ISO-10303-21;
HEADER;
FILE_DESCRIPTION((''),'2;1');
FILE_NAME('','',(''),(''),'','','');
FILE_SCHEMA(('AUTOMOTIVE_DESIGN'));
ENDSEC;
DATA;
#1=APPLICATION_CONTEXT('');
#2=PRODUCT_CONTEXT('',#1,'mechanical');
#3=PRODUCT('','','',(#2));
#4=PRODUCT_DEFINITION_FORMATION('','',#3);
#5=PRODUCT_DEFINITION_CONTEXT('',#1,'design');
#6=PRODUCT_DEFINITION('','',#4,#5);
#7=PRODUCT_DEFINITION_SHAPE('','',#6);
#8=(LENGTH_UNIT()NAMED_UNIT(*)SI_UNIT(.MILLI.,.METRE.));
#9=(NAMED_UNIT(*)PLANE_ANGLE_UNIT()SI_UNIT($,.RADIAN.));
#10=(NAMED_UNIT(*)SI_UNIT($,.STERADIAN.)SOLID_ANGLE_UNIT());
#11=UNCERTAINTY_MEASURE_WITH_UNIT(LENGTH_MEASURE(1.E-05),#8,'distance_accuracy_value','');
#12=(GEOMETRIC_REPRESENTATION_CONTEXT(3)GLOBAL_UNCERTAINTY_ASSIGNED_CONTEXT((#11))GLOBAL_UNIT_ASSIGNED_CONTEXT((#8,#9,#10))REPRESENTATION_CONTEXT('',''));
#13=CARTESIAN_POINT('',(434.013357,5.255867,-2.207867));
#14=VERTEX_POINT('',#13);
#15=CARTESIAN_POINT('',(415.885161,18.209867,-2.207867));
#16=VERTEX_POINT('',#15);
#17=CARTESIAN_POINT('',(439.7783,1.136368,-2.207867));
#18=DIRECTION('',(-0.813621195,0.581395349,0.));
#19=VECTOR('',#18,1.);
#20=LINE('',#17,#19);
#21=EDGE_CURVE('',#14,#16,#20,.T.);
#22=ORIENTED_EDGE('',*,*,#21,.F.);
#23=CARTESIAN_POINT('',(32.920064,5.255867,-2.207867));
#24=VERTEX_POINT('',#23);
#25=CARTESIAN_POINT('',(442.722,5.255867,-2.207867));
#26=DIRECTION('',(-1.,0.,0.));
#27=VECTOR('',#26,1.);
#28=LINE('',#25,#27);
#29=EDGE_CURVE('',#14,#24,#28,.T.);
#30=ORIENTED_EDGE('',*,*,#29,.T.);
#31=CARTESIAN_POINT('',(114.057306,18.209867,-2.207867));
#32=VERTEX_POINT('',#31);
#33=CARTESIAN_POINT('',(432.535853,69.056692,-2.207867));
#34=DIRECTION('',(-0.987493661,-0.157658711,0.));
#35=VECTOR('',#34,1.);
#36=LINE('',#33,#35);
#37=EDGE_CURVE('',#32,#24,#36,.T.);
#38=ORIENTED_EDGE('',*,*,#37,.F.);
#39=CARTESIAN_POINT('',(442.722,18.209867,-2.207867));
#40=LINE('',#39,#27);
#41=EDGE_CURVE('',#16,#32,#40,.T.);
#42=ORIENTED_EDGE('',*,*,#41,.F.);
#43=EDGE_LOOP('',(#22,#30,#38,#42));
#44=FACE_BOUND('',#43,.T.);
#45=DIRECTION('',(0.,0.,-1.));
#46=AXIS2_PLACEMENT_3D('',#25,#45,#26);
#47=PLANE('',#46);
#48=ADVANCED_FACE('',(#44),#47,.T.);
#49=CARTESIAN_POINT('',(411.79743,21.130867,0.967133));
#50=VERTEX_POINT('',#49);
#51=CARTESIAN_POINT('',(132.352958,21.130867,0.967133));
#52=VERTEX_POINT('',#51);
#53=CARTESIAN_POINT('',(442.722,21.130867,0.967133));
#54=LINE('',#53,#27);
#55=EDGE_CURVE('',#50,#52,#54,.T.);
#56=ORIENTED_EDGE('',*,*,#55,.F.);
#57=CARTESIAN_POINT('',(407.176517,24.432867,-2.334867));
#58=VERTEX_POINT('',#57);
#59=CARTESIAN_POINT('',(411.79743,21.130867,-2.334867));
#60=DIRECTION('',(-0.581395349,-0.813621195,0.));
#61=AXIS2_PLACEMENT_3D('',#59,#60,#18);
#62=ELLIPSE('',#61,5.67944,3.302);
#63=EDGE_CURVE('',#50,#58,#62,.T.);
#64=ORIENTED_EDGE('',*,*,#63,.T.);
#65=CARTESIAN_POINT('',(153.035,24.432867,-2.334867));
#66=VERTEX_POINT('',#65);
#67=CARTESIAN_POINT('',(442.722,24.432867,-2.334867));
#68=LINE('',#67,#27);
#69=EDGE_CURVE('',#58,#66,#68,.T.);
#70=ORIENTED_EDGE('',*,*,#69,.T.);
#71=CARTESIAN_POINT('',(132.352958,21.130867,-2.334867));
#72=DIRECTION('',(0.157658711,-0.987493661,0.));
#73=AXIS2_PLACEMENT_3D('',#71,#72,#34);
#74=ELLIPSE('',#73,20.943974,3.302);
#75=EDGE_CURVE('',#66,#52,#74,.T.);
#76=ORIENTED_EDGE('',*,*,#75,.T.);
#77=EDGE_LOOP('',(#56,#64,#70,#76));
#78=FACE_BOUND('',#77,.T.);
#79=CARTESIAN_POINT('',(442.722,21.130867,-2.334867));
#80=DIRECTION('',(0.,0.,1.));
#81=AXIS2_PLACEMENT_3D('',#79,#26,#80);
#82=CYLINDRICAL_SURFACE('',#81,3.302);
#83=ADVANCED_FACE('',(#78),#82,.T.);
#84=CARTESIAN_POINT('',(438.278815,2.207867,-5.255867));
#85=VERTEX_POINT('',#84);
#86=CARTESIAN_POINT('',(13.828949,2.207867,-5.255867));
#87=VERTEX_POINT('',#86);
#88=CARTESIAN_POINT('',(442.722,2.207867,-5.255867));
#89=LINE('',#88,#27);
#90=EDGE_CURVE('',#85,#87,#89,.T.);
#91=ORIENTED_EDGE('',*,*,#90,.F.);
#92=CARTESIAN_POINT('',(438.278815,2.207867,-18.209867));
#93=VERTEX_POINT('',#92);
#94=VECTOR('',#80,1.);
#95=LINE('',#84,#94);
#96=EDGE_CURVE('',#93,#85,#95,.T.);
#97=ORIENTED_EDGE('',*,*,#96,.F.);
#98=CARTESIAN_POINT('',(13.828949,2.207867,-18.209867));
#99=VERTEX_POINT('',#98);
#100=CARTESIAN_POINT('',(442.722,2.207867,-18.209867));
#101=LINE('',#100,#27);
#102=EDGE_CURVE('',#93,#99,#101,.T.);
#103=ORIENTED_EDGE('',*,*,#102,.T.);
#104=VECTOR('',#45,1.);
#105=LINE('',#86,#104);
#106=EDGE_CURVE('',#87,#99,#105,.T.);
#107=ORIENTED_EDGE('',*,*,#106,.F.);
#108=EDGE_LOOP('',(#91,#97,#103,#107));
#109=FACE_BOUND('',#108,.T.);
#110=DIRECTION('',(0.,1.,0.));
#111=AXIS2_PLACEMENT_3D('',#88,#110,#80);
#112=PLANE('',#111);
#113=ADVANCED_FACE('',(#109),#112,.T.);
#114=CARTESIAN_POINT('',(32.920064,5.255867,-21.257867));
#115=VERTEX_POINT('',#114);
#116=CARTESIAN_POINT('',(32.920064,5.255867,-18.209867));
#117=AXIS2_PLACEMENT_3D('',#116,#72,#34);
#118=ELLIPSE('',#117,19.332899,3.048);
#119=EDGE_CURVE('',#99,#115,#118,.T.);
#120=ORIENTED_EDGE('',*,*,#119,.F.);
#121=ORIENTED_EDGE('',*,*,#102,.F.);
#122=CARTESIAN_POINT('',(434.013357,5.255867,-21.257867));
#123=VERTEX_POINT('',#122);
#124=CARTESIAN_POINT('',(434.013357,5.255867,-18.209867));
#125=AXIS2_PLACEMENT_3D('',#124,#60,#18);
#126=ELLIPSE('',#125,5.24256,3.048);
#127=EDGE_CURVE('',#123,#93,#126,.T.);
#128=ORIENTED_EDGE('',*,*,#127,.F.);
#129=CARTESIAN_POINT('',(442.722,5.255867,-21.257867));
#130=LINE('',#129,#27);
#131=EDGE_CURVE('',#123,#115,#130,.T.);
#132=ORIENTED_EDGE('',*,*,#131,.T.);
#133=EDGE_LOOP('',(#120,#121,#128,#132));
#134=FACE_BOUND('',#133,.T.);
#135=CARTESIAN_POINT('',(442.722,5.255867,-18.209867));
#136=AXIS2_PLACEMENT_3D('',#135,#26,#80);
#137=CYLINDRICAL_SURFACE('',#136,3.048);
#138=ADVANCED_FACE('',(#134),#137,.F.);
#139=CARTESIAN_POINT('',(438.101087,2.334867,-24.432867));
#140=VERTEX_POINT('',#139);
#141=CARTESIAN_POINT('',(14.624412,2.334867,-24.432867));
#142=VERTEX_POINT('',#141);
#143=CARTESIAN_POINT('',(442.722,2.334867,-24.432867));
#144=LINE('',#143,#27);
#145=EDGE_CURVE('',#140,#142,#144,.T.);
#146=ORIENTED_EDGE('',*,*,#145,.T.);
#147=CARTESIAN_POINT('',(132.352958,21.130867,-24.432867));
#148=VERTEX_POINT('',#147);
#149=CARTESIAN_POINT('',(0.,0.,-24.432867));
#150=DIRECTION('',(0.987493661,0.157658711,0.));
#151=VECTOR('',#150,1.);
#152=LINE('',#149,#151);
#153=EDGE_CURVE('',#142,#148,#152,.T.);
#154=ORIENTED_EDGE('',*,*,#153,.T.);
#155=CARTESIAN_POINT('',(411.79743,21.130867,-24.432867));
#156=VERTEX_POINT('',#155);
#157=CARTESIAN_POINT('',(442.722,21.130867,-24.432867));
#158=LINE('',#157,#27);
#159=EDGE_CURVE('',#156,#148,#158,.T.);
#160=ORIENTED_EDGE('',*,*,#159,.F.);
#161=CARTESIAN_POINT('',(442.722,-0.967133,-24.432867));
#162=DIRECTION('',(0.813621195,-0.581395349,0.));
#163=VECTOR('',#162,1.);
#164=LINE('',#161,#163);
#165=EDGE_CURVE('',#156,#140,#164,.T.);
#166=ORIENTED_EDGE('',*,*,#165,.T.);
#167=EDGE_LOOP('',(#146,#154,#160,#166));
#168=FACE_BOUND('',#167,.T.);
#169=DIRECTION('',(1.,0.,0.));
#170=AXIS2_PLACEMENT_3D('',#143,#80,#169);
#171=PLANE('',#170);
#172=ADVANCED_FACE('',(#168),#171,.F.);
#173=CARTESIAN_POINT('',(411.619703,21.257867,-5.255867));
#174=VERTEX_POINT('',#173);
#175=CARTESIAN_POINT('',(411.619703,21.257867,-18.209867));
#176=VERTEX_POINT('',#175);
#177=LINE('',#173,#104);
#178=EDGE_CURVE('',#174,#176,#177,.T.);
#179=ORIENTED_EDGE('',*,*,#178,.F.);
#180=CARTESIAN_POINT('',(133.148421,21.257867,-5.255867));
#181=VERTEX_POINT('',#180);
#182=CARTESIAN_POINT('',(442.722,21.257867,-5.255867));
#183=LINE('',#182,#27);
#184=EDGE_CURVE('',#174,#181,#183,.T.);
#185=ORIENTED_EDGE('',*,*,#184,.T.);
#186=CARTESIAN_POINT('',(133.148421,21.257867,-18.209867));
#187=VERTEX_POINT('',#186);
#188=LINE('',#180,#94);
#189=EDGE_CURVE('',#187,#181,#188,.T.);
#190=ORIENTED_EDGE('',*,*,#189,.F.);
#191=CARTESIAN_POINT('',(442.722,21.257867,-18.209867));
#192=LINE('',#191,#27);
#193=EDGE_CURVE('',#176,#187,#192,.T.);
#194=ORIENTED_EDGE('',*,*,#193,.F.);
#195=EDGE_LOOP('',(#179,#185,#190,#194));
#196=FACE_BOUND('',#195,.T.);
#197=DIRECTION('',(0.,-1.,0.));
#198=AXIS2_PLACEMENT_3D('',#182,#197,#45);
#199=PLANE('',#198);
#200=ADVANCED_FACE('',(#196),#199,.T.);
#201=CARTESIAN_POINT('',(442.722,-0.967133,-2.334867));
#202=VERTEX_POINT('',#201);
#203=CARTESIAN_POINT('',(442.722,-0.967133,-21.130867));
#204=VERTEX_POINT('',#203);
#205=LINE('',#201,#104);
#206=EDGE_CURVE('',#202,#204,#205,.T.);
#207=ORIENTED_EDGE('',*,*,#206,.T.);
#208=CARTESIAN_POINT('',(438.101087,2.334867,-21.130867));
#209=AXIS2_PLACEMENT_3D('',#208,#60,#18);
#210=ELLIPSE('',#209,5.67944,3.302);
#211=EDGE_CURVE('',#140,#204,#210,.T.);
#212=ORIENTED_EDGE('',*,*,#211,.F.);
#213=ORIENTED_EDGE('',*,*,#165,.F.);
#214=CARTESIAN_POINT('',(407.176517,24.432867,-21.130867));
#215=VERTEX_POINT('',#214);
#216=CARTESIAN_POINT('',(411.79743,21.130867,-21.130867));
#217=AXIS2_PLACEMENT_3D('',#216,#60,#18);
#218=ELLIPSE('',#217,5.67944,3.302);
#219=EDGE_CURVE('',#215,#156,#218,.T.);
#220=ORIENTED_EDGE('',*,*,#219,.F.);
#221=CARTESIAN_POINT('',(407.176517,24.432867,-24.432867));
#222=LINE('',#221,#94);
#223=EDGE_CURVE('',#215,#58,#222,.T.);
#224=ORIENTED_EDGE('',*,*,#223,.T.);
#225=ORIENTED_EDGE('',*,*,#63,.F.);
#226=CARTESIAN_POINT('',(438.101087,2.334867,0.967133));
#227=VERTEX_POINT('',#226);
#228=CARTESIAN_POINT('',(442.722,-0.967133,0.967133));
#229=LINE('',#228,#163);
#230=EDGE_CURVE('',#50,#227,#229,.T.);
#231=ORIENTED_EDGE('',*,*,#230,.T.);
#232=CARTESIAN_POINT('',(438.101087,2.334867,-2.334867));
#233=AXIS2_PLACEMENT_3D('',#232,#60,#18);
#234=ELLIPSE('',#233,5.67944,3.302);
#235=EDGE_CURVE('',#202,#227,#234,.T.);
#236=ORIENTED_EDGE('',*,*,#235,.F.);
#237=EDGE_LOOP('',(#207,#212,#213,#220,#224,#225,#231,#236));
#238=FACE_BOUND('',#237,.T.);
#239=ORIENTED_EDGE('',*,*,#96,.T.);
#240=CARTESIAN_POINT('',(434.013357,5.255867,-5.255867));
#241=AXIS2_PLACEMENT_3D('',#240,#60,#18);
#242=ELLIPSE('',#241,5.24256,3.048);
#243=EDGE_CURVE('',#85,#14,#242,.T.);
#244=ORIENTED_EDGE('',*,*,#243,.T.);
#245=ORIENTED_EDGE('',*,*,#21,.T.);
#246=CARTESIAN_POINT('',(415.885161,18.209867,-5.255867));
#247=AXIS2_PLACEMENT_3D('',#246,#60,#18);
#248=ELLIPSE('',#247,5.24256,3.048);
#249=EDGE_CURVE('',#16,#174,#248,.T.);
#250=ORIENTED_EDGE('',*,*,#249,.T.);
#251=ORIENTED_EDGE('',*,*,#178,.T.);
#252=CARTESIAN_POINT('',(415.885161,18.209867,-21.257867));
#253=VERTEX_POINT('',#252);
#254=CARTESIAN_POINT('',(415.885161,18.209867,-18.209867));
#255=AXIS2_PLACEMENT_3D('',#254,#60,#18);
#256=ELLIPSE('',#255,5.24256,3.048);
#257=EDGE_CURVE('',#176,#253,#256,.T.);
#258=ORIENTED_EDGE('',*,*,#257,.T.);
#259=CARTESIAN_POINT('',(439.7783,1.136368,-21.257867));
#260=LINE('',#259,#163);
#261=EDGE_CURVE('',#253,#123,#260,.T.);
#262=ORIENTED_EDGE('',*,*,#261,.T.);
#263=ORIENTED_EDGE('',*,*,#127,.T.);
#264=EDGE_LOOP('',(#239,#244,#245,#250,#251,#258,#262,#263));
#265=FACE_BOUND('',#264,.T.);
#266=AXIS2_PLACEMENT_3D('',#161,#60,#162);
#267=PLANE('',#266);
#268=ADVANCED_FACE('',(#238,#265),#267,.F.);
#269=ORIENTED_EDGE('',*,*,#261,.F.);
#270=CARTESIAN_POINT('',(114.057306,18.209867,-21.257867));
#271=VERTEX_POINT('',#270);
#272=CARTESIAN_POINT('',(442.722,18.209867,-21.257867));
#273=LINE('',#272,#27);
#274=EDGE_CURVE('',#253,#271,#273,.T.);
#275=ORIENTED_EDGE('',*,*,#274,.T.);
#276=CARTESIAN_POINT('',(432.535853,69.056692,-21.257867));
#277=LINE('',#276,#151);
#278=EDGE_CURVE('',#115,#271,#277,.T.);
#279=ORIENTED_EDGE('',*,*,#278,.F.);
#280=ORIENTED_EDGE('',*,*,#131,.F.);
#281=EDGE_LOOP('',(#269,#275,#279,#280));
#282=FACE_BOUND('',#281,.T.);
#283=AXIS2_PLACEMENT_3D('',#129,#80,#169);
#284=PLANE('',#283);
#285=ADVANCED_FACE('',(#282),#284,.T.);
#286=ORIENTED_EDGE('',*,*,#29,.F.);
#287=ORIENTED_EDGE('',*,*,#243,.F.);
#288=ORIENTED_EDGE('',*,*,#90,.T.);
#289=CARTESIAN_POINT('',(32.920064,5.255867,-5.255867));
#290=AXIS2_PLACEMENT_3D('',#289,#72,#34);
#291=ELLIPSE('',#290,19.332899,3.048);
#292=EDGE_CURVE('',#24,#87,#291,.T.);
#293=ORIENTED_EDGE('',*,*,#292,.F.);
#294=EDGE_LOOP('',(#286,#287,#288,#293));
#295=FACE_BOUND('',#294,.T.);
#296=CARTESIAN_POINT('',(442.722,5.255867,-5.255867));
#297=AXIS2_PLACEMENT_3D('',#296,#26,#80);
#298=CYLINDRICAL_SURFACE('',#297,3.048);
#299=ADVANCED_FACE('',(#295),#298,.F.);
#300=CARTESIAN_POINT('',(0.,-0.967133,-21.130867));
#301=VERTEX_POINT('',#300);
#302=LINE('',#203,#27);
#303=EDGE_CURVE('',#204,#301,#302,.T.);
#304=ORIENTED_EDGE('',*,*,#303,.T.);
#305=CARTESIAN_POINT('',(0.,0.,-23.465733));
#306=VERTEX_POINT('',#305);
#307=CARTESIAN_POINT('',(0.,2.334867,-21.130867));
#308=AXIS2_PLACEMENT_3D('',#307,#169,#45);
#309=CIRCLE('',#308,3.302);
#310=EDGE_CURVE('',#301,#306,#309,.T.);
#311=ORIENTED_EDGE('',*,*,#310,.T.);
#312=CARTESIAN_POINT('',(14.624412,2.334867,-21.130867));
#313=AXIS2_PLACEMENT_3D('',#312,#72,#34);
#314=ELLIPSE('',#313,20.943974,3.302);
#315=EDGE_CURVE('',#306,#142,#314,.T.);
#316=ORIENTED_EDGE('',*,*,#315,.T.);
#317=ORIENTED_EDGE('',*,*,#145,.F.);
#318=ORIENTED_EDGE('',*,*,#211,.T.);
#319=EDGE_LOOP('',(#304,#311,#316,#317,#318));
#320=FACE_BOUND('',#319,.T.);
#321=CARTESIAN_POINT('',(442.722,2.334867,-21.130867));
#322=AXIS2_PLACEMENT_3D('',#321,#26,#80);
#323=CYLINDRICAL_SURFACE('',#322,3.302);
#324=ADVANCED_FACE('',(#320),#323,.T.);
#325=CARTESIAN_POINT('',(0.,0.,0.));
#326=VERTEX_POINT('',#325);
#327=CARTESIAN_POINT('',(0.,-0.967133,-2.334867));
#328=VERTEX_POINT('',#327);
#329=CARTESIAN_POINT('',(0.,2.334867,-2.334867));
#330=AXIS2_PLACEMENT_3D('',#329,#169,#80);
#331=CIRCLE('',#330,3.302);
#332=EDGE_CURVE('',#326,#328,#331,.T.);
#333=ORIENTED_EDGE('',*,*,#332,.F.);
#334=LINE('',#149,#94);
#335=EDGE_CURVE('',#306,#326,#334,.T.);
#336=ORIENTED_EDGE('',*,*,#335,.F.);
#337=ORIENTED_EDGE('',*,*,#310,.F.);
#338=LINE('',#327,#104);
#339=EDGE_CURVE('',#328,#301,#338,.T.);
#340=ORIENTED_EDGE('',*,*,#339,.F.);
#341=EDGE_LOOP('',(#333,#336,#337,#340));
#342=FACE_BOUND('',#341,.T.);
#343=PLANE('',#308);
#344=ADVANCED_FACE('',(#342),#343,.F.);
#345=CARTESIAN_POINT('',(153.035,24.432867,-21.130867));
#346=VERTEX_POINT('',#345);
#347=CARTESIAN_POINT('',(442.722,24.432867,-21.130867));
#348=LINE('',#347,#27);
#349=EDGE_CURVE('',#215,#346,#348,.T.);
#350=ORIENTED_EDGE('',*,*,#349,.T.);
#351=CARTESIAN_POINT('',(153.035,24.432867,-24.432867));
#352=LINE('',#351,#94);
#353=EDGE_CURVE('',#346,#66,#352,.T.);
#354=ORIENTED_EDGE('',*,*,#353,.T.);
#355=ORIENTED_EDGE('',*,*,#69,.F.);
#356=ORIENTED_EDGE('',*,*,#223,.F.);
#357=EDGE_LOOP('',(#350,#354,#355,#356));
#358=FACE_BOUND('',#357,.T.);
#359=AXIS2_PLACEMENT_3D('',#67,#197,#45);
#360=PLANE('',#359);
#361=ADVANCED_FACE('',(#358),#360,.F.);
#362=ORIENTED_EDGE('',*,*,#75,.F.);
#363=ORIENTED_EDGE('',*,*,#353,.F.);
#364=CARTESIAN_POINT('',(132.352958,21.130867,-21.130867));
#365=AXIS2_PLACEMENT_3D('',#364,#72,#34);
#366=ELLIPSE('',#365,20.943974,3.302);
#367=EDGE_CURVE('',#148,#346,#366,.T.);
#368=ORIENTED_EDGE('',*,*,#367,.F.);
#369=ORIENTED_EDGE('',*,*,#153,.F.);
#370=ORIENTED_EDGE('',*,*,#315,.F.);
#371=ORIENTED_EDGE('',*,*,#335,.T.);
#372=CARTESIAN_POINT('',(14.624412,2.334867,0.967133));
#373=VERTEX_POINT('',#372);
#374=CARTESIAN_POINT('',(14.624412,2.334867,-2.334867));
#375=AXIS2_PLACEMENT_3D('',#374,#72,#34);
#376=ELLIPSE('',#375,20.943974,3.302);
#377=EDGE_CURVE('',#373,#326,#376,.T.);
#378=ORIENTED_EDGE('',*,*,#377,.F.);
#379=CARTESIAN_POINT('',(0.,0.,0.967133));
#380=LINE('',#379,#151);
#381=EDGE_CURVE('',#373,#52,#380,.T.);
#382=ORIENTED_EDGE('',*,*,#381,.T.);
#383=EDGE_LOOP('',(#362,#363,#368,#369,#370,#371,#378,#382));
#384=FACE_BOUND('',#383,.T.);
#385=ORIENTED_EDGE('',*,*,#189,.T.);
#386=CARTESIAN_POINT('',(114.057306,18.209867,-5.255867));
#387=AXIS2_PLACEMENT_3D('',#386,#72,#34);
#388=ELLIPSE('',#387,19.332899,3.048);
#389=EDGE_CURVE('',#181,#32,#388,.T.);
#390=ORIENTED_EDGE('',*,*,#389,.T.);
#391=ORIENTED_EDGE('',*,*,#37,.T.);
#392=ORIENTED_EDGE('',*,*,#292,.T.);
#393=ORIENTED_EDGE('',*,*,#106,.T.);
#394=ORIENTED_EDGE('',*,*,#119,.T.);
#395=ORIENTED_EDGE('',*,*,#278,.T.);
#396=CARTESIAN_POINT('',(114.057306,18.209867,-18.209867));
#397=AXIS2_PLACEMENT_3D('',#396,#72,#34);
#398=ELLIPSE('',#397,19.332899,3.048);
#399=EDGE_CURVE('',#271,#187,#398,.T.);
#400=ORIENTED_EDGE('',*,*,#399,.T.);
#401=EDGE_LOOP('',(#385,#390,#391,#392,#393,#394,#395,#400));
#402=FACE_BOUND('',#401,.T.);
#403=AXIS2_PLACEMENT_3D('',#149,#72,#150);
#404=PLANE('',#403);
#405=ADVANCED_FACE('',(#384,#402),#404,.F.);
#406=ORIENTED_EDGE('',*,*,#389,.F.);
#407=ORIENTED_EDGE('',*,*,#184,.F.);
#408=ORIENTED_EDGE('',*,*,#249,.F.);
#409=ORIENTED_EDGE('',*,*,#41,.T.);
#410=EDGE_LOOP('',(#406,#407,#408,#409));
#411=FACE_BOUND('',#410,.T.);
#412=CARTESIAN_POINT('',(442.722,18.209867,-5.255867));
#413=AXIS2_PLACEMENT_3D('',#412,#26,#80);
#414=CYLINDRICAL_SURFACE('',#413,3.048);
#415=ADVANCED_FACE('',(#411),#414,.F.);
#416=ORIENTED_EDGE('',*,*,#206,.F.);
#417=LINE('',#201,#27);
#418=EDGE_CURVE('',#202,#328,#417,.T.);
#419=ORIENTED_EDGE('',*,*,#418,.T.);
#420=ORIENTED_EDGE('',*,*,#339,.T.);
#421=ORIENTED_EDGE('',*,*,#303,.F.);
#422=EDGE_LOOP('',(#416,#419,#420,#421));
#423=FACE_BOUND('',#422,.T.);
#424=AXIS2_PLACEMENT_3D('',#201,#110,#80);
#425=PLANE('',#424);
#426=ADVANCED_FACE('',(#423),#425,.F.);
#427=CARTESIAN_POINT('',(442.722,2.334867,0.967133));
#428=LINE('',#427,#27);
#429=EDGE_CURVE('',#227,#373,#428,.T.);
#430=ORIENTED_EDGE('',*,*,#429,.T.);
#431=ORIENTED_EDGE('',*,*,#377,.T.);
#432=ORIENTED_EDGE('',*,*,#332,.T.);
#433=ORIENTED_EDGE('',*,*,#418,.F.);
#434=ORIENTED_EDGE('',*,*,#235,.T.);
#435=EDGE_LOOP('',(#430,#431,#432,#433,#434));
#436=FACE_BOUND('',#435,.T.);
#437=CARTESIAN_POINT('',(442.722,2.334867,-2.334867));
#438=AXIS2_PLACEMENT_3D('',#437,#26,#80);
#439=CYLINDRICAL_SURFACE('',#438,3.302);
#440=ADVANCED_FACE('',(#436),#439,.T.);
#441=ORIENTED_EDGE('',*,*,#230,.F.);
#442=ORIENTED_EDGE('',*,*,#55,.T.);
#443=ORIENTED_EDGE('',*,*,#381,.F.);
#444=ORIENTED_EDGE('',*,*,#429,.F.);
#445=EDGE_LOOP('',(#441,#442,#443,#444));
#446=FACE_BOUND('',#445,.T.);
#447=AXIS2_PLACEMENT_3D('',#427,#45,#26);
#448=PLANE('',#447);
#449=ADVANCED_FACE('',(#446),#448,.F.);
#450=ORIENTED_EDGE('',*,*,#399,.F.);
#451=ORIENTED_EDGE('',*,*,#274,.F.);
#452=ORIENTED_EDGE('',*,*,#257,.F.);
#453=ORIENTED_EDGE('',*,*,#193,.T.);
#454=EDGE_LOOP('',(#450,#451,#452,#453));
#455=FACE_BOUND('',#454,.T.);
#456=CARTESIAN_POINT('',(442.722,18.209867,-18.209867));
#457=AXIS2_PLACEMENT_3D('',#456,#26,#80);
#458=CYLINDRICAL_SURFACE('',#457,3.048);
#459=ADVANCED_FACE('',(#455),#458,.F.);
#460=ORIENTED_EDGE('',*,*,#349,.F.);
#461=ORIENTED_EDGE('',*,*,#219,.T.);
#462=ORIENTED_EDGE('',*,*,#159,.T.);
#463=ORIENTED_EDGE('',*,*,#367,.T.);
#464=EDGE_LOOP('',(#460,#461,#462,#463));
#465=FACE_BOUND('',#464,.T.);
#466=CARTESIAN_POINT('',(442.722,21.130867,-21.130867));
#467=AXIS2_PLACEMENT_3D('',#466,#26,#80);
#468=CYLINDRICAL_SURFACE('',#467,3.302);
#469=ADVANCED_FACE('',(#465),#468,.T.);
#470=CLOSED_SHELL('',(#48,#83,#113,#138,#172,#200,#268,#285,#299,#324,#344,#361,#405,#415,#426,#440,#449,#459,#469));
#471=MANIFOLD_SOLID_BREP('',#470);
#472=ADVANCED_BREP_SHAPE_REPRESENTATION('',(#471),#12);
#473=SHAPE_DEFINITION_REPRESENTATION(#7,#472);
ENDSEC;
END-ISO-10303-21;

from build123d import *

# Parameters (mm, degrees)
BOSS_EXTRUDE1_DEPTH = 442.722
CUT_EXTRUDE1_DEPTH  = 445.122611735


with BuildPart() as part:
    # Sketch1 → Boss-Extrude1 (new body)
    with BuildSketch(Plane(origin=(0, 0, 0), x_dir=(0, 0, -1), z_dir=(1, 0, 0))):
        with BuildLine():
            Line((2.334866591, -0.967133409), (21.130866591, -0.967133409))
            ThreePointArc((21.130866591, -0.967133409), (23.465733183, 0), (24.432866591, 2.334866591))
            Line((24.432866591, 2.334866591), (24.432866591, 21.130866591))
            ThreePointArc((24.432866591, 21.130866591), (23.465733183, 23.465733183), (21.130866591, 24.432866591))
            Line((21.130866591, 24.432866591), (2.334866591, 24.432866591))
            ThreePointArc((2.334866591, 24.432866591), (0, 23.465733183), (-0.967133409, 21.130866591))
            Line((-0.967133409, 21.130866591), (-0.967133409, 2.334866591))
            ThreePointArc((-0.967133409, 2.334866591), (0, 0), (2.334866591, -0.967133409))
        make_face()
        with BuildLine():
            Line((5.255866591, 2.207866591), (18.209866591, 2.207866591))
            ThreePointArc((18.209866591, 2.207866591), (20.365128061, 3.100605122), (21.257866591, 5.255866591))
            Line((21.257866591, 5.255866591), (21.257866591, 18.209866591))
            ThreePointArc((21.257866591, 18.209866591), (20.365128061, 20.365128061), (18.209866591, 21.257866591))
            Line((18.209866591, 21.257866591), (5.255866591, 21.257866591))
            ThreePointArc((5.255866591, 21.257866591), (3.100605122, 20.365128061), (2.207866591, 18.209866591))
            Line((2.207866591, 18.209866591), (2.207866591, 5.255866591))
            ThreePointArc((2.207866591, 5.255866591), (3.100605122, 3.100605122), (5.255866591, 2.207866591))
        make_face(mode=Mode.SUBTRACT)
    extrude(amount=BOSS_EXTRUDE1_DEPTH)

    # Sketch3 → Cut-Extrude1 (cut, through all)
    with BuildSketch(Plane.XY.offset(0.967133409)):
        Polygon((0, 0), (153.035, 24.432866591), (0, 24.432866591), align=None)
        Polygon((442.722, 24.432866591), (442.722, -0.967133409), (407.176517249, 24.432866591), align=None)
    extrude(amount=-CUT_EXTRUDE1_DEPTH, mode=Mode.SUBTRACT)


solid = part.part
